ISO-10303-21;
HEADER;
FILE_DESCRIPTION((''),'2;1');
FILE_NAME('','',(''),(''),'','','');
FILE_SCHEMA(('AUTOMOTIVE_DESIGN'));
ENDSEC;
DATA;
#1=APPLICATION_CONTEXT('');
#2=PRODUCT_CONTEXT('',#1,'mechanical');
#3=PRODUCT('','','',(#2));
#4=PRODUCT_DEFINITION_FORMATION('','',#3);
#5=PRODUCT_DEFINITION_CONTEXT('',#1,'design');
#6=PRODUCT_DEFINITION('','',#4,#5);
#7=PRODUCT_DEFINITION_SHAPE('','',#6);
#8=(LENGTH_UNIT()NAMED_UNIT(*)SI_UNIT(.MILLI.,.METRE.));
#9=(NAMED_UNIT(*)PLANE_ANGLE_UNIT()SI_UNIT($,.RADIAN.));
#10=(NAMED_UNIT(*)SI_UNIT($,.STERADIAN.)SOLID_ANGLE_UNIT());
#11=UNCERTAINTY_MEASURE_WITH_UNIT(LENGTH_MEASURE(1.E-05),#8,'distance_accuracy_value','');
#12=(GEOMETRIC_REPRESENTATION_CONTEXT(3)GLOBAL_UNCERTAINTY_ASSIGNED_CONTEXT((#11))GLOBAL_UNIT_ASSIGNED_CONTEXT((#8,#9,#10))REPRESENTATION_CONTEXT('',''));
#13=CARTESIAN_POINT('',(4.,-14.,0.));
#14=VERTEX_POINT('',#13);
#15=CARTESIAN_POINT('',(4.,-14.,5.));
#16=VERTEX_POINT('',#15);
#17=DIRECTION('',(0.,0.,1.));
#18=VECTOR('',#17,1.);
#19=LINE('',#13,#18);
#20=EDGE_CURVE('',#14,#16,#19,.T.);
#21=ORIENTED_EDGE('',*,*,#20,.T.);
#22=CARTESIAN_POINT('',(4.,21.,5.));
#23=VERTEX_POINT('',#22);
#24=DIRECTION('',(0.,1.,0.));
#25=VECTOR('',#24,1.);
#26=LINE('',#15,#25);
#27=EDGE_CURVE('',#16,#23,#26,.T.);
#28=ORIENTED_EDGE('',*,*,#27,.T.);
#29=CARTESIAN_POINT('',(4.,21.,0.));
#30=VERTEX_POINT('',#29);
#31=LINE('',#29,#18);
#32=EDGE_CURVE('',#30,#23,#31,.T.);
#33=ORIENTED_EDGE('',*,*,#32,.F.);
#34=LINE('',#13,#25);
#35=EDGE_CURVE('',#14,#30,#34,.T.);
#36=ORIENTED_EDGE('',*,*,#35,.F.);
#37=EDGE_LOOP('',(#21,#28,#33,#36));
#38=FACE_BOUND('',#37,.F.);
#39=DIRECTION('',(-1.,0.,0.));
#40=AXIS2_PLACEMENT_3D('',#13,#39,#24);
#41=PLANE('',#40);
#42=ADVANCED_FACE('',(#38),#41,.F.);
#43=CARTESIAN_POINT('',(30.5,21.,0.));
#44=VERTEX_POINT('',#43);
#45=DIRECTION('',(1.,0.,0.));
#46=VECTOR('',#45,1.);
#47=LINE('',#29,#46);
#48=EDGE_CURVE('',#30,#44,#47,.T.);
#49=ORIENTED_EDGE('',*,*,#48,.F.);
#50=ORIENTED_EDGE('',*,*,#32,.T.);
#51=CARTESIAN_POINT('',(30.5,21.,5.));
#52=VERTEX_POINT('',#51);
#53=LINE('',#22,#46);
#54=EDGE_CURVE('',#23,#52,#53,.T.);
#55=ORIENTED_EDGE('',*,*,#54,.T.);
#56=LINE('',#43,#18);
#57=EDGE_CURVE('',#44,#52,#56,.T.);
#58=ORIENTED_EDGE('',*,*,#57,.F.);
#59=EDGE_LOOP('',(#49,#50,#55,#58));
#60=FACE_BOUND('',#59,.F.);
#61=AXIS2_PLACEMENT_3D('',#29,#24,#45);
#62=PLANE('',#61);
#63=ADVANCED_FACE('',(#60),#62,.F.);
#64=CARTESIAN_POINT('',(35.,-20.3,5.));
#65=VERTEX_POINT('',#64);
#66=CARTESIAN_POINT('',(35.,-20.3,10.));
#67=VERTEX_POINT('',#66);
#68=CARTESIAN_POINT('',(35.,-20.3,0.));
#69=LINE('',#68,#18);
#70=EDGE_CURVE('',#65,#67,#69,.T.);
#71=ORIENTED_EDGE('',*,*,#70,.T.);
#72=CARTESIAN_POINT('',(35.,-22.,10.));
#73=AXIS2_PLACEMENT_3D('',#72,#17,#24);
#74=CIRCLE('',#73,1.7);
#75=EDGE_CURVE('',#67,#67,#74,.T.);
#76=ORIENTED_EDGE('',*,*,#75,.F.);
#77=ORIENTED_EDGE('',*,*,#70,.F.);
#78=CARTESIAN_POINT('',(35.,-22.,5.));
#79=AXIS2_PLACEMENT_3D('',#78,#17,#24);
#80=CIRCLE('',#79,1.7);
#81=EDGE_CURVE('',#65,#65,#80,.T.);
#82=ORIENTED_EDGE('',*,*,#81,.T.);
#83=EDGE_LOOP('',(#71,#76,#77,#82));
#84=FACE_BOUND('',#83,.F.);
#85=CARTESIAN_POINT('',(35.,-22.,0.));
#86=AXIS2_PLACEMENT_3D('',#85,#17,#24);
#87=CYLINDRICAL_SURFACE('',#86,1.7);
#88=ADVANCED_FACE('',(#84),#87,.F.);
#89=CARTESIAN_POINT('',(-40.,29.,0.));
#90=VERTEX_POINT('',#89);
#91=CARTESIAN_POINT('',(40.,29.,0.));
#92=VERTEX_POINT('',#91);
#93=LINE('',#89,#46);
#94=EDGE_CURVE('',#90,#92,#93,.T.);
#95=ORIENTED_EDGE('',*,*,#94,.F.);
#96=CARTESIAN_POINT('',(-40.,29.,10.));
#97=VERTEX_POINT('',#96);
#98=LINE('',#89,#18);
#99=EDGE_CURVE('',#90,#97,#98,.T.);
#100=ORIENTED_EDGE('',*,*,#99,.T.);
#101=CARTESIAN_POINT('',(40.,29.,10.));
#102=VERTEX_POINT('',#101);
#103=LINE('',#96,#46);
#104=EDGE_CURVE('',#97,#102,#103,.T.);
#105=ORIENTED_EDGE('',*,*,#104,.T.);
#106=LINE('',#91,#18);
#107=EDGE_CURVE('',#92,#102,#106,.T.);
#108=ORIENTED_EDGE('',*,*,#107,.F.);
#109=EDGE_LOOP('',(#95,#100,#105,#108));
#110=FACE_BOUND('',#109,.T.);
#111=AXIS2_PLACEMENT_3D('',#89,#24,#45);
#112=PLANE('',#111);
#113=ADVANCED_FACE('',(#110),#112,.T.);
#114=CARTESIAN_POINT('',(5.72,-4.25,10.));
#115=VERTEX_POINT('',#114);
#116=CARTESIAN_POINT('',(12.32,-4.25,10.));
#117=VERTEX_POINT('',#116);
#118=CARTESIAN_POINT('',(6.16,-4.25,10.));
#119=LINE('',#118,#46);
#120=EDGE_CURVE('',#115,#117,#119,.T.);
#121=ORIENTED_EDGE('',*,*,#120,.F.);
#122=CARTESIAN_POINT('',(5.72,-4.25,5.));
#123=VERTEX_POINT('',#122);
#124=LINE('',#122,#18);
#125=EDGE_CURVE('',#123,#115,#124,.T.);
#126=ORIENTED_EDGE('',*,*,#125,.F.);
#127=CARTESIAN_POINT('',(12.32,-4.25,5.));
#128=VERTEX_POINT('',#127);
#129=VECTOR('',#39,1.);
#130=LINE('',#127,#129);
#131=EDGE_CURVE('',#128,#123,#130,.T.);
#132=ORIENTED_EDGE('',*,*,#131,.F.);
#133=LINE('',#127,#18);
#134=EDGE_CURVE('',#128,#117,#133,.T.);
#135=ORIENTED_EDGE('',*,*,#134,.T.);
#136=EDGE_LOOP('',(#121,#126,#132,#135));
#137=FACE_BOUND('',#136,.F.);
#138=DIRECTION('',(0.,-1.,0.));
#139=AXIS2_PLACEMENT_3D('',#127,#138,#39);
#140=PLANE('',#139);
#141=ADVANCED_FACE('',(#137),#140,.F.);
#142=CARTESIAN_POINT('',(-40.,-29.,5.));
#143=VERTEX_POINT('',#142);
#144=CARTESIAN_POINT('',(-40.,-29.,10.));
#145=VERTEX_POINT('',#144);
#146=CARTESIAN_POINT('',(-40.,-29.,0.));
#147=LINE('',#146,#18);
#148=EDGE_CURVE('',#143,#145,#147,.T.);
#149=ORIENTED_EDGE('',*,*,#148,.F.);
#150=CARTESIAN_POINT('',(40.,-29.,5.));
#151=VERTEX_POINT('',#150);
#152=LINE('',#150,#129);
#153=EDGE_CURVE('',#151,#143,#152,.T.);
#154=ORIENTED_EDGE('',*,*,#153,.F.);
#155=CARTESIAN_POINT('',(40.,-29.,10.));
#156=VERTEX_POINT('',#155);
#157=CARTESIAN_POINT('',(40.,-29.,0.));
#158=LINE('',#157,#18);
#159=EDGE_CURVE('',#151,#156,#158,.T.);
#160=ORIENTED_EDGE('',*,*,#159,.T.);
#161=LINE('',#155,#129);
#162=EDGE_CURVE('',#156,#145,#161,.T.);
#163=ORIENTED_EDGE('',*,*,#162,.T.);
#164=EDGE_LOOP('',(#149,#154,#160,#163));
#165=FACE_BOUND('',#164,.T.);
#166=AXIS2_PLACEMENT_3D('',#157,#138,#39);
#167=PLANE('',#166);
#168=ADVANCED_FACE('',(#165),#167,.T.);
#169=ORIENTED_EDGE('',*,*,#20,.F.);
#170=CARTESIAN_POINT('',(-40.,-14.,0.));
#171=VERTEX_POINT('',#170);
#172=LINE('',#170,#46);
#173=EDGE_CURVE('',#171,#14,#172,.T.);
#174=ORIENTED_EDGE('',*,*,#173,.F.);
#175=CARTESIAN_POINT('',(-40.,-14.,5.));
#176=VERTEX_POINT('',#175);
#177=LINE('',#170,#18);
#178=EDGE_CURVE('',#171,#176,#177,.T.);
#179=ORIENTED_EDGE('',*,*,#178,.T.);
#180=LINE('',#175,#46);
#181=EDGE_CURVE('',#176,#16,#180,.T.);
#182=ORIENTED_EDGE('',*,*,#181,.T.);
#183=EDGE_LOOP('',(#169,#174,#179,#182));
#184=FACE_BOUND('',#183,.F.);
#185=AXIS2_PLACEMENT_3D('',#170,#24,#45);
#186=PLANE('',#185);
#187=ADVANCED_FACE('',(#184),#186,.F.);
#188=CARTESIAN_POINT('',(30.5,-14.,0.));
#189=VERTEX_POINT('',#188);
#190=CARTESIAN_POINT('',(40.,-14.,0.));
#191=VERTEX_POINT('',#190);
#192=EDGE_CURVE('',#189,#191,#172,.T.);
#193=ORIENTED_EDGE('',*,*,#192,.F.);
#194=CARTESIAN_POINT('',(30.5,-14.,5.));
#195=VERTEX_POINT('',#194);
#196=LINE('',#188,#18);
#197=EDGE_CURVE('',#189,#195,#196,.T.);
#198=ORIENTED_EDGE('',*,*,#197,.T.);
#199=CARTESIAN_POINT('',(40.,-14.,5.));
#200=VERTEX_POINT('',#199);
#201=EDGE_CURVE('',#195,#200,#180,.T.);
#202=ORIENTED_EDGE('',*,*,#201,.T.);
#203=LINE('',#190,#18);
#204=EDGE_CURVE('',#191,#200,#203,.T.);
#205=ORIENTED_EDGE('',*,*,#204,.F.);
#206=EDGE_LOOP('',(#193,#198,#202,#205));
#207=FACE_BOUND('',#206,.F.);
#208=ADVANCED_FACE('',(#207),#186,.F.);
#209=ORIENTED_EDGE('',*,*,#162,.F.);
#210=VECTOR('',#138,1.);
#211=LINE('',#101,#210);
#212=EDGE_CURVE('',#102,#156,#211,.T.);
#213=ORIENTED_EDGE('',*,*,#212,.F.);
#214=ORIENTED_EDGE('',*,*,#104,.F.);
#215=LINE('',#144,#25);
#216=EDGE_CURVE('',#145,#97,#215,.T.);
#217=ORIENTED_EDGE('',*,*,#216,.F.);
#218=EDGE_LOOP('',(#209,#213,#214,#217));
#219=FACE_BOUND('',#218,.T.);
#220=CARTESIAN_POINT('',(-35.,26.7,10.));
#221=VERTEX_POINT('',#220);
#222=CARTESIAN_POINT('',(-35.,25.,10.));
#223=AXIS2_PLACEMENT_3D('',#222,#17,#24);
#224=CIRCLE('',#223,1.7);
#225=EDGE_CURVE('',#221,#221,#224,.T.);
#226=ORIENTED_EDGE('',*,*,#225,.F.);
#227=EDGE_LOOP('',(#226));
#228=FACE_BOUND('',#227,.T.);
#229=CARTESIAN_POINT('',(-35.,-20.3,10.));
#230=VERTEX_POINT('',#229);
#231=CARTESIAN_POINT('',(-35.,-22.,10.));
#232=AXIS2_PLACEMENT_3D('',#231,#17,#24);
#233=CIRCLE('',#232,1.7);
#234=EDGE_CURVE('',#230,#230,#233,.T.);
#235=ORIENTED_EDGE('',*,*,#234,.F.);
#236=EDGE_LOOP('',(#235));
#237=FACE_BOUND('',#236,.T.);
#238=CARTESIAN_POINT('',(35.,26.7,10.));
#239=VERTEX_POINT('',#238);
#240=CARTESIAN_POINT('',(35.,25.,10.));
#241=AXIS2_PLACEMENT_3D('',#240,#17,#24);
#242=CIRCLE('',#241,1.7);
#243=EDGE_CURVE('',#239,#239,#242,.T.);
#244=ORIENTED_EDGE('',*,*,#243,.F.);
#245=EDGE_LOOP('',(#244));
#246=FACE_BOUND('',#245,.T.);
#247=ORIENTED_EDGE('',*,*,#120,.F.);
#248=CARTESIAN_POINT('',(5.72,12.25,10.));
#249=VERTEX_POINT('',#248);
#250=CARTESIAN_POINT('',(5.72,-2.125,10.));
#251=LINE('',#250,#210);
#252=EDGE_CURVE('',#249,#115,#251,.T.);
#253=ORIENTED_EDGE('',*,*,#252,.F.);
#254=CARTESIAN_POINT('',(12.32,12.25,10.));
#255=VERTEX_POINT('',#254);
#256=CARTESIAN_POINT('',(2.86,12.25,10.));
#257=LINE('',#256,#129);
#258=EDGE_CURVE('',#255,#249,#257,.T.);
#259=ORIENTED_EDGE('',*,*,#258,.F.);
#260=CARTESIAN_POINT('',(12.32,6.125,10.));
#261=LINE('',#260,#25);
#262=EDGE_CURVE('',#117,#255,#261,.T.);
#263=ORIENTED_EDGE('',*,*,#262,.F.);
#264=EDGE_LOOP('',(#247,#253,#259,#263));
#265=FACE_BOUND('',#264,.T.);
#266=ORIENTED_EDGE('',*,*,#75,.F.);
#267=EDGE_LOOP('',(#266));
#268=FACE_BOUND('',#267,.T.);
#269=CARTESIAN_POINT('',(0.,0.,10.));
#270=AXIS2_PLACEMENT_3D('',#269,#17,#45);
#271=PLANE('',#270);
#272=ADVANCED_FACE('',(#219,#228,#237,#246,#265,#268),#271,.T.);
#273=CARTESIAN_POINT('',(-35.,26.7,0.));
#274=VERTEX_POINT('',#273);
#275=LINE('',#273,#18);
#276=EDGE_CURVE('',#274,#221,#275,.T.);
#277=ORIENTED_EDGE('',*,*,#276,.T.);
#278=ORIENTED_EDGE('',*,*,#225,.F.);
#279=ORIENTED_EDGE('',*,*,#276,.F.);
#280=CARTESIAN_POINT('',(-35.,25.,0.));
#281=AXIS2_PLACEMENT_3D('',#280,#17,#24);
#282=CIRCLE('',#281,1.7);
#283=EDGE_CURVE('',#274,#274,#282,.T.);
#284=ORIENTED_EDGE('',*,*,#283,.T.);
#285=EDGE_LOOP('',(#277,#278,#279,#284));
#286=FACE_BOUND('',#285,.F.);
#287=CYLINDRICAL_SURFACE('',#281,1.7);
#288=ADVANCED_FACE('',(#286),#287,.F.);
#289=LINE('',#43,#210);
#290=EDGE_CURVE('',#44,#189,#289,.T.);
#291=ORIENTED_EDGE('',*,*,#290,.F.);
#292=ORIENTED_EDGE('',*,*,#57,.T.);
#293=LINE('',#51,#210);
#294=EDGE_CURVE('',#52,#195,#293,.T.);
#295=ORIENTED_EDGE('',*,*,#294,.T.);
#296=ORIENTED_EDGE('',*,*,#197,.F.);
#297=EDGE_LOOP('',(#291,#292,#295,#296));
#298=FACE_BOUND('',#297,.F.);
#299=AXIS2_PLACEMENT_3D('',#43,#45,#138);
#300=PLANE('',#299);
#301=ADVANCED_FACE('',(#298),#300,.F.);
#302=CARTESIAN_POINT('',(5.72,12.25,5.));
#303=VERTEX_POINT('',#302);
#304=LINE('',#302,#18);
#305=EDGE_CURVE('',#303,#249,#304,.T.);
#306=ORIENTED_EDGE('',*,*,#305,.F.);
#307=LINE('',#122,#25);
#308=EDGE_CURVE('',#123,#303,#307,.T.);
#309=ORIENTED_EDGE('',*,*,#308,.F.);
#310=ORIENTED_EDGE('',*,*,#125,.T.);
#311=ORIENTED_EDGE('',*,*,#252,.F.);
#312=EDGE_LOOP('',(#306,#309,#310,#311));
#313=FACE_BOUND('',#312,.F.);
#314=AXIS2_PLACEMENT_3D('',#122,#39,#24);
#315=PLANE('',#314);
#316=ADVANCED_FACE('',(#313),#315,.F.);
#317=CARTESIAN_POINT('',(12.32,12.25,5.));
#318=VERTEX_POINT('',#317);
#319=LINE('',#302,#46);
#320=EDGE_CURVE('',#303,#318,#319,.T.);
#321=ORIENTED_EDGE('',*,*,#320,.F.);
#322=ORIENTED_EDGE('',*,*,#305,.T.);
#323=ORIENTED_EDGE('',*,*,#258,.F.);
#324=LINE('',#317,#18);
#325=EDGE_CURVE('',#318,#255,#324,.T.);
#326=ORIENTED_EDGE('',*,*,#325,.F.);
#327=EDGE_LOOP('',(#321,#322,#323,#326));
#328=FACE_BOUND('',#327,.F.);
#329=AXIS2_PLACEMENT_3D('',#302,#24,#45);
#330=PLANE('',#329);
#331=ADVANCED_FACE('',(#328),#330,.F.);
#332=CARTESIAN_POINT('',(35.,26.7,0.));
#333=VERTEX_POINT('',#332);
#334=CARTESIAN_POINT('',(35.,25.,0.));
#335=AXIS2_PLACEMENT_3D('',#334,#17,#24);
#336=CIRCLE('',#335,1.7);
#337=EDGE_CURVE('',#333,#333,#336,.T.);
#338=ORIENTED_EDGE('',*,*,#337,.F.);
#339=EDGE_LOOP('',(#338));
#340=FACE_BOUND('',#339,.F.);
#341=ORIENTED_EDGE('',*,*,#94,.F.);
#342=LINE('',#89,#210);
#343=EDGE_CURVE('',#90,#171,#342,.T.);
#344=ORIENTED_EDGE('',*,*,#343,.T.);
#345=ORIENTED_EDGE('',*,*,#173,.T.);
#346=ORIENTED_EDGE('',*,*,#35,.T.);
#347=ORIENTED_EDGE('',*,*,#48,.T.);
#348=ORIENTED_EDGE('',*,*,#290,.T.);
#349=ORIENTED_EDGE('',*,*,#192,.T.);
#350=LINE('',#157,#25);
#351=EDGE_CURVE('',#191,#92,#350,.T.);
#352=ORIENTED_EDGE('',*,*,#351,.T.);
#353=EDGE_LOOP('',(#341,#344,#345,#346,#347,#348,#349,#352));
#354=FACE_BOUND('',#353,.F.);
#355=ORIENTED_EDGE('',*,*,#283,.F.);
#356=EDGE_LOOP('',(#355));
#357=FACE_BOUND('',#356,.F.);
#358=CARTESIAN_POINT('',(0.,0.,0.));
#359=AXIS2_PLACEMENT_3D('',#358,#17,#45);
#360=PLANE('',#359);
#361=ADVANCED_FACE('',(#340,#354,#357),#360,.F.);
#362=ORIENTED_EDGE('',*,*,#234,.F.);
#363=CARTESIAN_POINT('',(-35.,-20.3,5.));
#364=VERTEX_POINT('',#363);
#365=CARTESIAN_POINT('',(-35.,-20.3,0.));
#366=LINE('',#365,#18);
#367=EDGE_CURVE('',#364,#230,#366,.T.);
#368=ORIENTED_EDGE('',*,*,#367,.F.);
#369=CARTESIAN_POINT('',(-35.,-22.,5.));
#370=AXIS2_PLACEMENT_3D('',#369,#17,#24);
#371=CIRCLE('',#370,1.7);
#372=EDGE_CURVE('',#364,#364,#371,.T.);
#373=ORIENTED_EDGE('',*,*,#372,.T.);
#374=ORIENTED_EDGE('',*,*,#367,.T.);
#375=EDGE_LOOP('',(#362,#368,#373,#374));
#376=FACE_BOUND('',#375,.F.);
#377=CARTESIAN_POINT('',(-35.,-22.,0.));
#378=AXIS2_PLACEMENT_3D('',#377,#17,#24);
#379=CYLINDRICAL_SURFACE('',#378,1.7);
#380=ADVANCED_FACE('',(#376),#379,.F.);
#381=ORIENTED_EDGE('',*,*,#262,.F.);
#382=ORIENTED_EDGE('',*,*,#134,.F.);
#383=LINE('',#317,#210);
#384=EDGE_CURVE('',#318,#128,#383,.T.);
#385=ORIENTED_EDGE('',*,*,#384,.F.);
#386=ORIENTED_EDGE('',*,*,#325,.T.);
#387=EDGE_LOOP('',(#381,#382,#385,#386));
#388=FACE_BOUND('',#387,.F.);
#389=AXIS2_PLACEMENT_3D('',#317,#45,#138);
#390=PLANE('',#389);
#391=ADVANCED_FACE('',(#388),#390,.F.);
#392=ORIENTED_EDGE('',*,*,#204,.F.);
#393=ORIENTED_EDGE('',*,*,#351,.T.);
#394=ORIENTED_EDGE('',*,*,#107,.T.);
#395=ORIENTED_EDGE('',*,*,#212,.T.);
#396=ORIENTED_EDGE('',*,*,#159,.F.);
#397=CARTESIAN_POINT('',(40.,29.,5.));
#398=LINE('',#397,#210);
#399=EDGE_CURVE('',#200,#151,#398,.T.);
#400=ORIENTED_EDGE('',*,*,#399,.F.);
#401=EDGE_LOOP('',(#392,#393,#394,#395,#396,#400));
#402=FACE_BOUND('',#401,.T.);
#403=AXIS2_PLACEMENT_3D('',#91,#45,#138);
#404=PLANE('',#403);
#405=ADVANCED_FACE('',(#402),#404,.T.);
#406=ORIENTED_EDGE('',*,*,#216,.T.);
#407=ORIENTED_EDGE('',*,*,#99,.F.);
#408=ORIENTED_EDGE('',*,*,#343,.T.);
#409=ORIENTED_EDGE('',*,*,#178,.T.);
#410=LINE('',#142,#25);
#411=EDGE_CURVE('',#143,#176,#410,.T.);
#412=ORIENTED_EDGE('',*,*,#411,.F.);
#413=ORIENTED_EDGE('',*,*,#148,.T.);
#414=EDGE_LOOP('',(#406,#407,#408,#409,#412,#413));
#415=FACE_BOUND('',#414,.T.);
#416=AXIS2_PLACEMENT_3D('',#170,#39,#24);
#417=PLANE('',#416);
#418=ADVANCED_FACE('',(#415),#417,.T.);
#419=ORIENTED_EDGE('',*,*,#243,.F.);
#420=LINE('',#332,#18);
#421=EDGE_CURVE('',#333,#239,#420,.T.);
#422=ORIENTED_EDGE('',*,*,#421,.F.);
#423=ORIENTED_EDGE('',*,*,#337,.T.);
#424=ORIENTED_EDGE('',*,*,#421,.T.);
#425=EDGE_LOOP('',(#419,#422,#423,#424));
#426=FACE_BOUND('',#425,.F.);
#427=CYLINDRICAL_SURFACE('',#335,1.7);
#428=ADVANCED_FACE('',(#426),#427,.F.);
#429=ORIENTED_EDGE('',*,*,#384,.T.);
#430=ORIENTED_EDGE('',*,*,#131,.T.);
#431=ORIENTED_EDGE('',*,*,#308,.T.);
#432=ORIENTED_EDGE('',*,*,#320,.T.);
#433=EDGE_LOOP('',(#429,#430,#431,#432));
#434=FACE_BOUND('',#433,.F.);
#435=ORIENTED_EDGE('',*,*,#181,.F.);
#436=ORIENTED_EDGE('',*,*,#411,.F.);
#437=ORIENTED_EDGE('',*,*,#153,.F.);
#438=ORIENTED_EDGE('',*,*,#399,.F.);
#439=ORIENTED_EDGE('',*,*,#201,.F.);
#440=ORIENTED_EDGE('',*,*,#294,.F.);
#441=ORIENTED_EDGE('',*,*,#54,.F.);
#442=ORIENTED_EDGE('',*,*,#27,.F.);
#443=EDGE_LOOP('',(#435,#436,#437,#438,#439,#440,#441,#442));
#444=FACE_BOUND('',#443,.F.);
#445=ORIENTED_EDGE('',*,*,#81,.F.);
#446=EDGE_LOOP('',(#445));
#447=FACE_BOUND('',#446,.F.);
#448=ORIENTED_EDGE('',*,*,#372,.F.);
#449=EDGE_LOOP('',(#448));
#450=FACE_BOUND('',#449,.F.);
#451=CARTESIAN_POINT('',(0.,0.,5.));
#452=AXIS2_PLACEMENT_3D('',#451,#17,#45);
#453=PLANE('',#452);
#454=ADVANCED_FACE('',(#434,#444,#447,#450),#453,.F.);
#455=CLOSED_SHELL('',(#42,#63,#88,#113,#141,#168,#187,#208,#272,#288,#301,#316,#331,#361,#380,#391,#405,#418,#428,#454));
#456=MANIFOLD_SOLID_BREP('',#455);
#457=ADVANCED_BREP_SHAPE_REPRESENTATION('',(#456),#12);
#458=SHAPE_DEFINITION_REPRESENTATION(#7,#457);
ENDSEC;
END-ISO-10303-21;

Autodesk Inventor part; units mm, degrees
ref_plane "YZ Plane" through (0, 0, 0) normal (1, 0, 0) x (0, 1, 0)
ref_plane "XZ Plane" through (0, 0, 0) normal (0, 1, 0) x (-1, 0, 0)
ref_plane "XY Plane" through (0, 0, 0) normal (0, 0, 1) x (1, 0, 0)
sketch "Skizze1" plane through (0, 0, 0) normal (0, 0, 1) x (1, 0, 0)
  line L0 (-40, 29) -> (40, 29)
  line L1 (40, 29) -> (40, -29)
  line L2 (40, -29) -> (-40, -29)
  line L3 (-40, -29) -> (-40, 29)
  line L4 (-40, 29) -> (40, -29) construction
  line L5 (40, 29) -> (-40, -29) construction
  line L6 (-40, -14) -> (40, -14)
  point P0 (0, 0)
  dimension "d0" = 58
  dimension "d1" = 80
  dimension "d4" = 15
extrude "Extrusion1" add sketch "Skizze1" along normal blind 10
extrude "Extrusion2" cut sketch "Skizze1" along normal blind 5 contours L6 L1 L2 L3
sketch "Skizze2" plane through (0, 0, 0) normal (0, 0, -1) x (-1, 0, 0)
  line L0 (35, -22) -> (-35, -22) construction
  line L1 (-40, -14) -> (40, -14) projected
  line L2 (0, -14) -> (0, -22) construction
  line L3 (40, -14) -> (40, -29) projected
  line L4 (35, 25) -> (-35, 25) construction
  line L5 (-40, 29) -> (40, 29) projected
  point P0 (0, 0)
  point P1 (0, 25)
  dimension "d7" = 8
  dimension "d8" = 5
  dimension "d16" = 70
  dimension "d17" = 4
hole "Bohrung1" at (-35, -22, 0) at (35, -22, 0) at (-35, 25, 0) at (35, 25, 0) direction (0, 0, 1) diameter 3.4 end through all clearance for "Inbusschraube DIN EN ISO 4762" size "M3" standard "DIN"
sketch "Sketch3" plane through (0, 0, 0) normal (0, 0, -1) x (-1, 0, 0)
  line L0 (-30.5, 21) -> (-30.5, -14) projected
  line L1 (-4, 21) -> (-30.5, 21) projected
  line L2 (-4, -14) -> (-4, 21) projected
  line L3 (-4, -14) -> (-30.5, -14)
  point P0 (0, 0)
extrude "Extrusion3" cut sketch "Sketch3" against normal up to surface (5 mm away)
sketch "Sketch4" plane through (0, 0, 5) normal (0, 0, -1) x (-1, 0, 0)
  line L0 (-12.32, -4.25) -> (-5.72, -4.25)
  line L1 (-5.72, -4.25) -> (-5.72, 12.25)
  line L2 (-5.72, 12.25) -> (-12.32, 12.25)
  line L3 (-12.32, 12.25) -> (-12.32, -4.25)
  line L4 (-10.2773, -2.3373) -> (-7.7627, -2.3373) projected
  line L5 (-7.7627, 10.3373) -> (-10.2773, 10.3373) projected
  line L6 (-10.2773, -2.3373) -> (-7.7627, -2.3373)
  line L7 (-7.7627, -2.3373) -> (-7.7627, 10.3373)
  line L8 (-7.7627, 10.3373) -> (-10.2773, 10.3373)
  line L9 (-10.2773, 10.3373) -> (-10.2773, -2.3373)
  line L10 (-10.2773, 4) -> (-12.32, 4) construction
  line L11 (-9.02, -2.3373) -> (-9.02, -4.25) construction
  point P0 (0, 0)
  dimension "d20" = 6.6
  dimension "d21" = 16.5
extrude "Extrusion4" cut sketch "Sketch4" against normal through all contours L3 L2 L1 L0 | L9 L5 L7 L4
equation "\"d0\" = SensorBox_Width"
equation "\"d1\" = SensorBox_Length"
equation "\"SensorBox_Width\" = 58"
equation "\"SensorBox_Length\" = 80"
properties part number "Sensor_Box_Deckel" material "PBT-Kunststoff"
